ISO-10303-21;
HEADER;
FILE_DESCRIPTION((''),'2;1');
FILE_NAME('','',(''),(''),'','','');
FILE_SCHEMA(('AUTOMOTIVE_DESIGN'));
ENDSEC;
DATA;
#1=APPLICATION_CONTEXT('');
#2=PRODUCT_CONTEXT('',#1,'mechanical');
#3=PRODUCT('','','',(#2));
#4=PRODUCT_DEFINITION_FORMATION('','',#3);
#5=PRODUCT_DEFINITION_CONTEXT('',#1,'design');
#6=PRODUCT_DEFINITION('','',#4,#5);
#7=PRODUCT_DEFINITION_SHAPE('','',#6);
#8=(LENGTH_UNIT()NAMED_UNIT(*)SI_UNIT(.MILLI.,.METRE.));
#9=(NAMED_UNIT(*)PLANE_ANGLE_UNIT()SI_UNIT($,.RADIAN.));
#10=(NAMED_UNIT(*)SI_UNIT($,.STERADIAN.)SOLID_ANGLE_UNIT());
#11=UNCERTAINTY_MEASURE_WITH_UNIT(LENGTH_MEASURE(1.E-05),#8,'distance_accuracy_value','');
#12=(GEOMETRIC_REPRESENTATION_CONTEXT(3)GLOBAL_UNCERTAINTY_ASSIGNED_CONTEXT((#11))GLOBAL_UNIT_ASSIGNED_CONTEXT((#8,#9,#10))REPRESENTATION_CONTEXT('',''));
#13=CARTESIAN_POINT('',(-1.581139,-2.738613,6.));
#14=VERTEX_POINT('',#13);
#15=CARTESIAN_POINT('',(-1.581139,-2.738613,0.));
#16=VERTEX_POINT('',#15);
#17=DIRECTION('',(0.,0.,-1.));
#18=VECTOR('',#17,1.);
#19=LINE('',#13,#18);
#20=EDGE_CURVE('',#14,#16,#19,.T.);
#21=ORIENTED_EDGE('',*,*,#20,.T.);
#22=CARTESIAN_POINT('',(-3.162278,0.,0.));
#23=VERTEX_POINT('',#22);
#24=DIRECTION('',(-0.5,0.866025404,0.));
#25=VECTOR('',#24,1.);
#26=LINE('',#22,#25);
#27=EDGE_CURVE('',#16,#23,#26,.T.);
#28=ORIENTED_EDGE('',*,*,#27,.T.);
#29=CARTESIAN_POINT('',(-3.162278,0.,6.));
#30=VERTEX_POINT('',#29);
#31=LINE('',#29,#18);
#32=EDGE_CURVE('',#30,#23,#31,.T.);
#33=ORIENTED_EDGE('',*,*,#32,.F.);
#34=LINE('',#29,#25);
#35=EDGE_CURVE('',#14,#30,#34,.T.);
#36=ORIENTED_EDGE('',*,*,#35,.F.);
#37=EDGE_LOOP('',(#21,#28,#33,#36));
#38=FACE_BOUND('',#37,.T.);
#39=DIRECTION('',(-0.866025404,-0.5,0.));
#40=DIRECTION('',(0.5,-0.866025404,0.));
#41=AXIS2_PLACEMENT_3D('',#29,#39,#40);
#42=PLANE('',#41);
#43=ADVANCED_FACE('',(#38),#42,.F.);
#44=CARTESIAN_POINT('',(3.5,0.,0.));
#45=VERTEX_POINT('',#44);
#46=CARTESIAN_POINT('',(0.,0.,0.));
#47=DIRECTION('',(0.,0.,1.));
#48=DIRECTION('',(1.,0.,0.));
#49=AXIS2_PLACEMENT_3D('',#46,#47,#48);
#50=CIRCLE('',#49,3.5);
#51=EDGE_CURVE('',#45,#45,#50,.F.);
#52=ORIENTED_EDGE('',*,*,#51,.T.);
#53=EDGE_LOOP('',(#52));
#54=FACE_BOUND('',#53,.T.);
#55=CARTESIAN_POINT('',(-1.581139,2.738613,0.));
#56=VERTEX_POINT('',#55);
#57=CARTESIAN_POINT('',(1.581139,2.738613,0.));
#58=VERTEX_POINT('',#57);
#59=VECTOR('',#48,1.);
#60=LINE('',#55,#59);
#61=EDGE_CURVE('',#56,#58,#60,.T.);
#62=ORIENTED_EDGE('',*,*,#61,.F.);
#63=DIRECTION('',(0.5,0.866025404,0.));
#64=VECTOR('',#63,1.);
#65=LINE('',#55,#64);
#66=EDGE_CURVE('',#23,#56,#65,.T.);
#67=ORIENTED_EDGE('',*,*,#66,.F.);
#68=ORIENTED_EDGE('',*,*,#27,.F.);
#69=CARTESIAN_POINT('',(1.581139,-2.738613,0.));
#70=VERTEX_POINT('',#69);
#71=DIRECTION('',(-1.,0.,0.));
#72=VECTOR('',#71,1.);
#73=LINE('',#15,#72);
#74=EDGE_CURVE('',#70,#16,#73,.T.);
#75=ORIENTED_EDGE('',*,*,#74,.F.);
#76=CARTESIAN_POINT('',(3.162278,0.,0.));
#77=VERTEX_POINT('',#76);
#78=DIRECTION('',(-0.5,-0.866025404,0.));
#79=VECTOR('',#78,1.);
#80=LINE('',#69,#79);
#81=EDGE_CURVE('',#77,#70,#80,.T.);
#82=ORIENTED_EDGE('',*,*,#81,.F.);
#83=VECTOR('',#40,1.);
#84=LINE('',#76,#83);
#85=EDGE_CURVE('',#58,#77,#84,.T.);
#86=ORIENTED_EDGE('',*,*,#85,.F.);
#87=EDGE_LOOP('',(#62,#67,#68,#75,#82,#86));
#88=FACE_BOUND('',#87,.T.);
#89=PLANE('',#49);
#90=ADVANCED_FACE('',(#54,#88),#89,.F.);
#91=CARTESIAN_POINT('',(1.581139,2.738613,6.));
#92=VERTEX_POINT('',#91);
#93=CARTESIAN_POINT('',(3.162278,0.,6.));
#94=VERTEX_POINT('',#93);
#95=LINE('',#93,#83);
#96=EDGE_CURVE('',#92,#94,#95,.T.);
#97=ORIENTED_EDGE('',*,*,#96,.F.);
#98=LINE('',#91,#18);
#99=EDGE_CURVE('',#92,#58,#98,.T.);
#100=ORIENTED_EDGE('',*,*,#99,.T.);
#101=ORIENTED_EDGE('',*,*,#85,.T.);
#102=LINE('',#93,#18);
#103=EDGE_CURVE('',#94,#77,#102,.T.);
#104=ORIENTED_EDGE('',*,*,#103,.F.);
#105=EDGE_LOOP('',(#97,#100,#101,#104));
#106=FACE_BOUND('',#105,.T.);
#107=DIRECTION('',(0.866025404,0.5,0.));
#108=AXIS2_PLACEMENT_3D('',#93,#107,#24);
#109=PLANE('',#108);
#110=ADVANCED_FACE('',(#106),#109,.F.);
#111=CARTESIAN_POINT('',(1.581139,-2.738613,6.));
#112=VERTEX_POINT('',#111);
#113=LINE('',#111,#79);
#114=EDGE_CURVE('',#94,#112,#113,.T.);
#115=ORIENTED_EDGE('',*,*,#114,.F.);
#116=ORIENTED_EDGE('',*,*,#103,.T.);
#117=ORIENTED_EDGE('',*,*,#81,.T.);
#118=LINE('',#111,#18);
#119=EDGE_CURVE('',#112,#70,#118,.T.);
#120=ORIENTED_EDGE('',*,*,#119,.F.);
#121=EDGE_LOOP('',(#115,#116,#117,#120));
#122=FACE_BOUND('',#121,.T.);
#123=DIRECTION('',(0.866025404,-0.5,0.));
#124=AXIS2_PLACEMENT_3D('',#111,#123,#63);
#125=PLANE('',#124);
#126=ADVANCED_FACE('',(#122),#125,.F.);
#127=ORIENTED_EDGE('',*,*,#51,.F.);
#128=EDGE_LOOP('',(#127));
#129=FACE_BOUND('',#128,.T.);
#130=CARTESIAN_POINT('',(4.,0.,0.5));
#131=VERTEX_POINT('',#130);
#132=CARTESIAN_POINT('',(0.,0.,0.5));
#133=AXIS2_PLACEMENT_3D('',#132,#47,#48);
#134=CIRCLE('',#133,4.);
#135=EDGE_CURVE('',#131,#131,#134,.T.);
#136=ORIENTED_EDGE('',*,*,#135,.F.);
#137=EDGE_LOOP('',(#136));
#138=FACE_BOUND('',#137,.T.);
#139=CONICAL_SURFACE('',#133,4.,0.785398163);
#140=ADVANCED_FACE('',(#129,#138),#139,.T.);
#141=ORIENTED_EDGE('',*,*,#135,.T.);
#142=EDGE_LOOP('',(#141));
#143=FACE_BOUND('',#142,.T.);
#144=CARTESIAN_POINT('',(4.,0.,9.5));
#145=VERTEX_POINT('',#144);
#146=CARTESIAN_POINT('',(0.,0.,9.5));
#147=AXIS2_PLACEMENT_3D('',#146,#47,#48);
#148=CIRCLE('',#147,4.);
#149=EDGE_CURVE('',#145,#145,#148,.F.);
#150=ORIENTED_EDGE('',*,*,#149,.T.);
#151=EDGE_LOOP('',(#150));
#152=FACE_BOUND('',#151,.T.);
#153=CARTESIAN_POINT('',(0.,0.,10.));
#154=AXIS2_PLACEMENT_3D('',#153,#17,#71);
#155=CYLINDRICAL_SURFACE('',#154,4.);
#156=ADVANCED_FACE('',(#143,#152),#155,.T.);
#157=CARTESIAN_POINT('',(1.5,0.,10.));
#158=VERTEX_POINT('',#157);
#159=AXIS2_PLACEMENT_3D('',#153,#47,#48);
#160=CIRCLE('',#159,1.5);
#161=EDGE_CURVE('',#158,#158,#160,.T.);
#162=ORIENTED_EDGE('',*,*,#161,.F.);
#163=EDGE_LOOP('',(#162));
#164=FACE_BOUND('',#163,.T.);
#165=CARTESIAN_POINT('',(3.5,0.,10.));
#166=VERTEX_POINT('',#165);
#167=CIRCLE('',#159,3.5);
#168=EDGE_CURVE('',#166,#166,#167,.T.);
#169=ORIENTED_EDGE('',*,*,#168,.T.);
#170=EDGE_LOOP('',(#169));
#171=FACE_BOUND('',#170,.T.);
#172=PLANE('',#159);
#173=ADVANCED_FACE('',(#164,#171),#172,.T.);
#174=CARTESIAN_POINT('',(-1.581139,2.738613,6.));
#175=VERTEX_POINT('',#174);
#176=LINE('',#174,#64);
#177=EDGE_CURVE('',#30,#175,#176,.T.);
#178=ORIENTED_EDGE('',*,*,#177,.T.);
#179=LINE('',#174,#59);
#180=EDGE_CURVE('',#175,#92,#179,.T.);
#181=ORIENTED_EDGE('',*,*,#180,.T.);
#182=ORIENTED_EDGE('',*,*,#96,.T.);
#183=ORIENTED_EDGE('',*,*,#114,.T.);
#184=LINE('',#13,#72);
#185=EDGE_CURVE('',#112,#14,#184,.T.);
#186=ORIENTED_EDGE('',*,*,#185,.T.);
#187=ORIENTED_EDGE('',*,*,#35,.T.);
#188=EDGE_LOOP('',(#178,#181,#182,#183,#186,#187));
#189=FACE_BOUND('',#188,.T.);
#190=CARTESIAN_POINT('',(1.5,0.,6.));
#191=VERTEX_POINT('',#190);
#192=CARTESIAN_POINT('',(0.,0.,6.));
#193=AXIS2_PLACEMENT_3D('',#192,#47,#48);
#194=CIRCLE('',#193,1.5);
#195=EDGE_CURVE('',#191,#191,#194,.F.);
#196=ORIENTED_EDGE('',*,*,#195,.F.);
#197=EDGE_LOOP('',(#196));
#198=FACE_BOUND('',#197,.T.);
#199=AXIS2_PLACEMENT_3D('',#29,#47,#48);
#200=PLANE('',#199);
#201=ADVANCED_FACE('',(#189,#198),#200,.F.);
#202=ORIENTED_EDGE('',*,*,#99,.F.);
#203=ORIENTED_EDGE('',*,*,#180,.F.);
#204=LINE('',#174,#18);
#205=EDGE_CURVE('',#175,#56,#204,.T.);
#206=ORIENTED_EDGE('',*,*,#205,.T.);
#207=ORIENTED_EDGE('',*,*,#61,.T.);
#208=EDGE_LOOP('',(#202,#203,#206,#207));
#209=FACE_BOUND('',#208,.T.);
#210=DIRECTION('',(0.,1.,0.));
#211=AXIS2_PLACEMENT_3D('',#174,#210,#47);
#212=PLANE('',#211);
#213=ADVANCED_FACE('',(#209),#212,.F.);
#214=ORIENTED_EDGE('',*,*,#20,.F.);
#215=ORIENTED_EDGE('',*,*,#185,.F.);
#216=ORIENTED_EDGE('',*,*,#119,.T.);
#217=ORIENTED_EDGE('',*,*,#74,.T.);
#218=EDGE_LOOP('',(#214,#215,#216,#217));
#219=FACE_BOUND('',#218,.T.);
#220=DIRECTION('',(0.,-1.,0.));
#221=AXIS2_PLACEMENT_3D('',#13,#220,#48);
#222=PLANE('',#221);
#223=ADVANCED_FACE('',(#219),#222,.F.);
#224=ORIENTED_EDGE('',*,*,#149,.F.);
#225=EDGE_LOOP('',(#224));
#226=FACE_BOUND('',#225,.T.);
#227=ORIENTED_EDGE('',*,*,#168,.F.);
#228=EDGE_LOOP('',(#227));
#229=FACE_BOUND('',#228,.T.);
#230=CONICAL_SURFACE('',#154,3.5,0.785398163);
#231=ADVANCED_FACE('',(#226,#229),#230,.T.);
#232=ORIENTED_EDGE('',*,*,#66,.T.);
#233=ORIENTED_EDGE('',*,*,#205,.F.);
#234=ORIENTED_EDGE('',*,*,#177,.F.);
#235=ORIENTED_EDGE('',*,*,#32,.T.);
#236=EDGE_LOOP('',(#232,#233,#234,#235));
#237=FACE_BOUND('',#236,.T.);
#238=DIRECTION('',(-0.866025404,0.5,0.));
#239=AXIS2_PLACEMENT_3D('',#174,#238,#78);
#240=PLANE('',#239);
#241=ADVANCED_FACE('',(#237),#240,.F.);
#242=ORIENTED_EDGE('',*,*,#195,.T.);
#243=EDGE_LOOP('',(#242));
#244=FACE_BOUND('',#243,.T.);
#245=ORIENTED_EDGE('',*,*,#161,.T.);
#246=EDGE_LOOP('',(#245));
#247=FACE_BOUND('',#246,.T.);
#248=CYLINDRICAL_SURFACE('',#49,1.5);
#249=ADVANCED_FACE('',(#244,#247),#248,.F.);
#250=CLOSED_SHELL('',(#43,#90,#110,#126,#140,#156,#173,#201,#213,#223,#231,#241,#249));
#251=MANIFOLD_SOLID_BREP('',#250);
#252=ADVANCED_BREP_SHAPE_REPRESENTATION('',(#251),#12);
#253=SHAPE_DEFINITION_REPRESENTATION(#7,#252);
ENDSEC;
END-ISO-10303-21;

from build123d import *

# Parameters (mm, degrees)
ESQUISSE1_R             = 4
BASE_EXTRUSION_DEPTH    = 10
CHANFREIN1_SIZE         = 0.5
ESQUISSE2_R             = 1.5
ENL_V_MAT_EXTRU_1_DEPTH = 12.489125293
ENL_V_MAT_EXTRU_2_DEPTH = 6


with BuildPart() as part:
    # Esquisse1 → Base-Extrusion (new body)
    with BuildSketch(Plane.XY):
        Circle(ESQUISSE1_R)
    extrude(amount=BASE_EXTRUSION_DEPTH)

    # Chanfrein1
    chanfrein1_edges = [part.edges().sort_by_distance(p)[0] for p in [
        (-4, 0, 0),
        (-4, 0, 10),
    ]]
    chamfer(chanfrein1_edges, length=CHANFREIN1_SIZE)

    # Esquisse2 → Enlèv. mat.-Extru.1 (cut, through all)
    with BuildSketch(Plane.XY.offset(10)):
        Circle(ESQUISSE2_R)
    extrude(amount=-ENL_V_MAT_EXTRU_1_DEPTH, mode=Mode.SUBTRACT)

    # Esquisse3 → Enlèv. mat.-Extru.2 (cut)
    with BuildSketch(Plane(origin=(0, 0, 0), x_dir=(-1, 0, 0), z_dir=(0, 0, -1))):
        Polygon((1.58113883, 2.738612788), (-1.58113883, 2.738612788), (-3.16227766, 0), (-1.58113883, -2.738612788), (1.58113883, -2.738612788), (3.16227766, 0), align=None)
    extrude(amount=-ENL_V_MAT_EXTRU_2_DEPTH, mode=Mode.SUBTRACT)


solid = part.part
